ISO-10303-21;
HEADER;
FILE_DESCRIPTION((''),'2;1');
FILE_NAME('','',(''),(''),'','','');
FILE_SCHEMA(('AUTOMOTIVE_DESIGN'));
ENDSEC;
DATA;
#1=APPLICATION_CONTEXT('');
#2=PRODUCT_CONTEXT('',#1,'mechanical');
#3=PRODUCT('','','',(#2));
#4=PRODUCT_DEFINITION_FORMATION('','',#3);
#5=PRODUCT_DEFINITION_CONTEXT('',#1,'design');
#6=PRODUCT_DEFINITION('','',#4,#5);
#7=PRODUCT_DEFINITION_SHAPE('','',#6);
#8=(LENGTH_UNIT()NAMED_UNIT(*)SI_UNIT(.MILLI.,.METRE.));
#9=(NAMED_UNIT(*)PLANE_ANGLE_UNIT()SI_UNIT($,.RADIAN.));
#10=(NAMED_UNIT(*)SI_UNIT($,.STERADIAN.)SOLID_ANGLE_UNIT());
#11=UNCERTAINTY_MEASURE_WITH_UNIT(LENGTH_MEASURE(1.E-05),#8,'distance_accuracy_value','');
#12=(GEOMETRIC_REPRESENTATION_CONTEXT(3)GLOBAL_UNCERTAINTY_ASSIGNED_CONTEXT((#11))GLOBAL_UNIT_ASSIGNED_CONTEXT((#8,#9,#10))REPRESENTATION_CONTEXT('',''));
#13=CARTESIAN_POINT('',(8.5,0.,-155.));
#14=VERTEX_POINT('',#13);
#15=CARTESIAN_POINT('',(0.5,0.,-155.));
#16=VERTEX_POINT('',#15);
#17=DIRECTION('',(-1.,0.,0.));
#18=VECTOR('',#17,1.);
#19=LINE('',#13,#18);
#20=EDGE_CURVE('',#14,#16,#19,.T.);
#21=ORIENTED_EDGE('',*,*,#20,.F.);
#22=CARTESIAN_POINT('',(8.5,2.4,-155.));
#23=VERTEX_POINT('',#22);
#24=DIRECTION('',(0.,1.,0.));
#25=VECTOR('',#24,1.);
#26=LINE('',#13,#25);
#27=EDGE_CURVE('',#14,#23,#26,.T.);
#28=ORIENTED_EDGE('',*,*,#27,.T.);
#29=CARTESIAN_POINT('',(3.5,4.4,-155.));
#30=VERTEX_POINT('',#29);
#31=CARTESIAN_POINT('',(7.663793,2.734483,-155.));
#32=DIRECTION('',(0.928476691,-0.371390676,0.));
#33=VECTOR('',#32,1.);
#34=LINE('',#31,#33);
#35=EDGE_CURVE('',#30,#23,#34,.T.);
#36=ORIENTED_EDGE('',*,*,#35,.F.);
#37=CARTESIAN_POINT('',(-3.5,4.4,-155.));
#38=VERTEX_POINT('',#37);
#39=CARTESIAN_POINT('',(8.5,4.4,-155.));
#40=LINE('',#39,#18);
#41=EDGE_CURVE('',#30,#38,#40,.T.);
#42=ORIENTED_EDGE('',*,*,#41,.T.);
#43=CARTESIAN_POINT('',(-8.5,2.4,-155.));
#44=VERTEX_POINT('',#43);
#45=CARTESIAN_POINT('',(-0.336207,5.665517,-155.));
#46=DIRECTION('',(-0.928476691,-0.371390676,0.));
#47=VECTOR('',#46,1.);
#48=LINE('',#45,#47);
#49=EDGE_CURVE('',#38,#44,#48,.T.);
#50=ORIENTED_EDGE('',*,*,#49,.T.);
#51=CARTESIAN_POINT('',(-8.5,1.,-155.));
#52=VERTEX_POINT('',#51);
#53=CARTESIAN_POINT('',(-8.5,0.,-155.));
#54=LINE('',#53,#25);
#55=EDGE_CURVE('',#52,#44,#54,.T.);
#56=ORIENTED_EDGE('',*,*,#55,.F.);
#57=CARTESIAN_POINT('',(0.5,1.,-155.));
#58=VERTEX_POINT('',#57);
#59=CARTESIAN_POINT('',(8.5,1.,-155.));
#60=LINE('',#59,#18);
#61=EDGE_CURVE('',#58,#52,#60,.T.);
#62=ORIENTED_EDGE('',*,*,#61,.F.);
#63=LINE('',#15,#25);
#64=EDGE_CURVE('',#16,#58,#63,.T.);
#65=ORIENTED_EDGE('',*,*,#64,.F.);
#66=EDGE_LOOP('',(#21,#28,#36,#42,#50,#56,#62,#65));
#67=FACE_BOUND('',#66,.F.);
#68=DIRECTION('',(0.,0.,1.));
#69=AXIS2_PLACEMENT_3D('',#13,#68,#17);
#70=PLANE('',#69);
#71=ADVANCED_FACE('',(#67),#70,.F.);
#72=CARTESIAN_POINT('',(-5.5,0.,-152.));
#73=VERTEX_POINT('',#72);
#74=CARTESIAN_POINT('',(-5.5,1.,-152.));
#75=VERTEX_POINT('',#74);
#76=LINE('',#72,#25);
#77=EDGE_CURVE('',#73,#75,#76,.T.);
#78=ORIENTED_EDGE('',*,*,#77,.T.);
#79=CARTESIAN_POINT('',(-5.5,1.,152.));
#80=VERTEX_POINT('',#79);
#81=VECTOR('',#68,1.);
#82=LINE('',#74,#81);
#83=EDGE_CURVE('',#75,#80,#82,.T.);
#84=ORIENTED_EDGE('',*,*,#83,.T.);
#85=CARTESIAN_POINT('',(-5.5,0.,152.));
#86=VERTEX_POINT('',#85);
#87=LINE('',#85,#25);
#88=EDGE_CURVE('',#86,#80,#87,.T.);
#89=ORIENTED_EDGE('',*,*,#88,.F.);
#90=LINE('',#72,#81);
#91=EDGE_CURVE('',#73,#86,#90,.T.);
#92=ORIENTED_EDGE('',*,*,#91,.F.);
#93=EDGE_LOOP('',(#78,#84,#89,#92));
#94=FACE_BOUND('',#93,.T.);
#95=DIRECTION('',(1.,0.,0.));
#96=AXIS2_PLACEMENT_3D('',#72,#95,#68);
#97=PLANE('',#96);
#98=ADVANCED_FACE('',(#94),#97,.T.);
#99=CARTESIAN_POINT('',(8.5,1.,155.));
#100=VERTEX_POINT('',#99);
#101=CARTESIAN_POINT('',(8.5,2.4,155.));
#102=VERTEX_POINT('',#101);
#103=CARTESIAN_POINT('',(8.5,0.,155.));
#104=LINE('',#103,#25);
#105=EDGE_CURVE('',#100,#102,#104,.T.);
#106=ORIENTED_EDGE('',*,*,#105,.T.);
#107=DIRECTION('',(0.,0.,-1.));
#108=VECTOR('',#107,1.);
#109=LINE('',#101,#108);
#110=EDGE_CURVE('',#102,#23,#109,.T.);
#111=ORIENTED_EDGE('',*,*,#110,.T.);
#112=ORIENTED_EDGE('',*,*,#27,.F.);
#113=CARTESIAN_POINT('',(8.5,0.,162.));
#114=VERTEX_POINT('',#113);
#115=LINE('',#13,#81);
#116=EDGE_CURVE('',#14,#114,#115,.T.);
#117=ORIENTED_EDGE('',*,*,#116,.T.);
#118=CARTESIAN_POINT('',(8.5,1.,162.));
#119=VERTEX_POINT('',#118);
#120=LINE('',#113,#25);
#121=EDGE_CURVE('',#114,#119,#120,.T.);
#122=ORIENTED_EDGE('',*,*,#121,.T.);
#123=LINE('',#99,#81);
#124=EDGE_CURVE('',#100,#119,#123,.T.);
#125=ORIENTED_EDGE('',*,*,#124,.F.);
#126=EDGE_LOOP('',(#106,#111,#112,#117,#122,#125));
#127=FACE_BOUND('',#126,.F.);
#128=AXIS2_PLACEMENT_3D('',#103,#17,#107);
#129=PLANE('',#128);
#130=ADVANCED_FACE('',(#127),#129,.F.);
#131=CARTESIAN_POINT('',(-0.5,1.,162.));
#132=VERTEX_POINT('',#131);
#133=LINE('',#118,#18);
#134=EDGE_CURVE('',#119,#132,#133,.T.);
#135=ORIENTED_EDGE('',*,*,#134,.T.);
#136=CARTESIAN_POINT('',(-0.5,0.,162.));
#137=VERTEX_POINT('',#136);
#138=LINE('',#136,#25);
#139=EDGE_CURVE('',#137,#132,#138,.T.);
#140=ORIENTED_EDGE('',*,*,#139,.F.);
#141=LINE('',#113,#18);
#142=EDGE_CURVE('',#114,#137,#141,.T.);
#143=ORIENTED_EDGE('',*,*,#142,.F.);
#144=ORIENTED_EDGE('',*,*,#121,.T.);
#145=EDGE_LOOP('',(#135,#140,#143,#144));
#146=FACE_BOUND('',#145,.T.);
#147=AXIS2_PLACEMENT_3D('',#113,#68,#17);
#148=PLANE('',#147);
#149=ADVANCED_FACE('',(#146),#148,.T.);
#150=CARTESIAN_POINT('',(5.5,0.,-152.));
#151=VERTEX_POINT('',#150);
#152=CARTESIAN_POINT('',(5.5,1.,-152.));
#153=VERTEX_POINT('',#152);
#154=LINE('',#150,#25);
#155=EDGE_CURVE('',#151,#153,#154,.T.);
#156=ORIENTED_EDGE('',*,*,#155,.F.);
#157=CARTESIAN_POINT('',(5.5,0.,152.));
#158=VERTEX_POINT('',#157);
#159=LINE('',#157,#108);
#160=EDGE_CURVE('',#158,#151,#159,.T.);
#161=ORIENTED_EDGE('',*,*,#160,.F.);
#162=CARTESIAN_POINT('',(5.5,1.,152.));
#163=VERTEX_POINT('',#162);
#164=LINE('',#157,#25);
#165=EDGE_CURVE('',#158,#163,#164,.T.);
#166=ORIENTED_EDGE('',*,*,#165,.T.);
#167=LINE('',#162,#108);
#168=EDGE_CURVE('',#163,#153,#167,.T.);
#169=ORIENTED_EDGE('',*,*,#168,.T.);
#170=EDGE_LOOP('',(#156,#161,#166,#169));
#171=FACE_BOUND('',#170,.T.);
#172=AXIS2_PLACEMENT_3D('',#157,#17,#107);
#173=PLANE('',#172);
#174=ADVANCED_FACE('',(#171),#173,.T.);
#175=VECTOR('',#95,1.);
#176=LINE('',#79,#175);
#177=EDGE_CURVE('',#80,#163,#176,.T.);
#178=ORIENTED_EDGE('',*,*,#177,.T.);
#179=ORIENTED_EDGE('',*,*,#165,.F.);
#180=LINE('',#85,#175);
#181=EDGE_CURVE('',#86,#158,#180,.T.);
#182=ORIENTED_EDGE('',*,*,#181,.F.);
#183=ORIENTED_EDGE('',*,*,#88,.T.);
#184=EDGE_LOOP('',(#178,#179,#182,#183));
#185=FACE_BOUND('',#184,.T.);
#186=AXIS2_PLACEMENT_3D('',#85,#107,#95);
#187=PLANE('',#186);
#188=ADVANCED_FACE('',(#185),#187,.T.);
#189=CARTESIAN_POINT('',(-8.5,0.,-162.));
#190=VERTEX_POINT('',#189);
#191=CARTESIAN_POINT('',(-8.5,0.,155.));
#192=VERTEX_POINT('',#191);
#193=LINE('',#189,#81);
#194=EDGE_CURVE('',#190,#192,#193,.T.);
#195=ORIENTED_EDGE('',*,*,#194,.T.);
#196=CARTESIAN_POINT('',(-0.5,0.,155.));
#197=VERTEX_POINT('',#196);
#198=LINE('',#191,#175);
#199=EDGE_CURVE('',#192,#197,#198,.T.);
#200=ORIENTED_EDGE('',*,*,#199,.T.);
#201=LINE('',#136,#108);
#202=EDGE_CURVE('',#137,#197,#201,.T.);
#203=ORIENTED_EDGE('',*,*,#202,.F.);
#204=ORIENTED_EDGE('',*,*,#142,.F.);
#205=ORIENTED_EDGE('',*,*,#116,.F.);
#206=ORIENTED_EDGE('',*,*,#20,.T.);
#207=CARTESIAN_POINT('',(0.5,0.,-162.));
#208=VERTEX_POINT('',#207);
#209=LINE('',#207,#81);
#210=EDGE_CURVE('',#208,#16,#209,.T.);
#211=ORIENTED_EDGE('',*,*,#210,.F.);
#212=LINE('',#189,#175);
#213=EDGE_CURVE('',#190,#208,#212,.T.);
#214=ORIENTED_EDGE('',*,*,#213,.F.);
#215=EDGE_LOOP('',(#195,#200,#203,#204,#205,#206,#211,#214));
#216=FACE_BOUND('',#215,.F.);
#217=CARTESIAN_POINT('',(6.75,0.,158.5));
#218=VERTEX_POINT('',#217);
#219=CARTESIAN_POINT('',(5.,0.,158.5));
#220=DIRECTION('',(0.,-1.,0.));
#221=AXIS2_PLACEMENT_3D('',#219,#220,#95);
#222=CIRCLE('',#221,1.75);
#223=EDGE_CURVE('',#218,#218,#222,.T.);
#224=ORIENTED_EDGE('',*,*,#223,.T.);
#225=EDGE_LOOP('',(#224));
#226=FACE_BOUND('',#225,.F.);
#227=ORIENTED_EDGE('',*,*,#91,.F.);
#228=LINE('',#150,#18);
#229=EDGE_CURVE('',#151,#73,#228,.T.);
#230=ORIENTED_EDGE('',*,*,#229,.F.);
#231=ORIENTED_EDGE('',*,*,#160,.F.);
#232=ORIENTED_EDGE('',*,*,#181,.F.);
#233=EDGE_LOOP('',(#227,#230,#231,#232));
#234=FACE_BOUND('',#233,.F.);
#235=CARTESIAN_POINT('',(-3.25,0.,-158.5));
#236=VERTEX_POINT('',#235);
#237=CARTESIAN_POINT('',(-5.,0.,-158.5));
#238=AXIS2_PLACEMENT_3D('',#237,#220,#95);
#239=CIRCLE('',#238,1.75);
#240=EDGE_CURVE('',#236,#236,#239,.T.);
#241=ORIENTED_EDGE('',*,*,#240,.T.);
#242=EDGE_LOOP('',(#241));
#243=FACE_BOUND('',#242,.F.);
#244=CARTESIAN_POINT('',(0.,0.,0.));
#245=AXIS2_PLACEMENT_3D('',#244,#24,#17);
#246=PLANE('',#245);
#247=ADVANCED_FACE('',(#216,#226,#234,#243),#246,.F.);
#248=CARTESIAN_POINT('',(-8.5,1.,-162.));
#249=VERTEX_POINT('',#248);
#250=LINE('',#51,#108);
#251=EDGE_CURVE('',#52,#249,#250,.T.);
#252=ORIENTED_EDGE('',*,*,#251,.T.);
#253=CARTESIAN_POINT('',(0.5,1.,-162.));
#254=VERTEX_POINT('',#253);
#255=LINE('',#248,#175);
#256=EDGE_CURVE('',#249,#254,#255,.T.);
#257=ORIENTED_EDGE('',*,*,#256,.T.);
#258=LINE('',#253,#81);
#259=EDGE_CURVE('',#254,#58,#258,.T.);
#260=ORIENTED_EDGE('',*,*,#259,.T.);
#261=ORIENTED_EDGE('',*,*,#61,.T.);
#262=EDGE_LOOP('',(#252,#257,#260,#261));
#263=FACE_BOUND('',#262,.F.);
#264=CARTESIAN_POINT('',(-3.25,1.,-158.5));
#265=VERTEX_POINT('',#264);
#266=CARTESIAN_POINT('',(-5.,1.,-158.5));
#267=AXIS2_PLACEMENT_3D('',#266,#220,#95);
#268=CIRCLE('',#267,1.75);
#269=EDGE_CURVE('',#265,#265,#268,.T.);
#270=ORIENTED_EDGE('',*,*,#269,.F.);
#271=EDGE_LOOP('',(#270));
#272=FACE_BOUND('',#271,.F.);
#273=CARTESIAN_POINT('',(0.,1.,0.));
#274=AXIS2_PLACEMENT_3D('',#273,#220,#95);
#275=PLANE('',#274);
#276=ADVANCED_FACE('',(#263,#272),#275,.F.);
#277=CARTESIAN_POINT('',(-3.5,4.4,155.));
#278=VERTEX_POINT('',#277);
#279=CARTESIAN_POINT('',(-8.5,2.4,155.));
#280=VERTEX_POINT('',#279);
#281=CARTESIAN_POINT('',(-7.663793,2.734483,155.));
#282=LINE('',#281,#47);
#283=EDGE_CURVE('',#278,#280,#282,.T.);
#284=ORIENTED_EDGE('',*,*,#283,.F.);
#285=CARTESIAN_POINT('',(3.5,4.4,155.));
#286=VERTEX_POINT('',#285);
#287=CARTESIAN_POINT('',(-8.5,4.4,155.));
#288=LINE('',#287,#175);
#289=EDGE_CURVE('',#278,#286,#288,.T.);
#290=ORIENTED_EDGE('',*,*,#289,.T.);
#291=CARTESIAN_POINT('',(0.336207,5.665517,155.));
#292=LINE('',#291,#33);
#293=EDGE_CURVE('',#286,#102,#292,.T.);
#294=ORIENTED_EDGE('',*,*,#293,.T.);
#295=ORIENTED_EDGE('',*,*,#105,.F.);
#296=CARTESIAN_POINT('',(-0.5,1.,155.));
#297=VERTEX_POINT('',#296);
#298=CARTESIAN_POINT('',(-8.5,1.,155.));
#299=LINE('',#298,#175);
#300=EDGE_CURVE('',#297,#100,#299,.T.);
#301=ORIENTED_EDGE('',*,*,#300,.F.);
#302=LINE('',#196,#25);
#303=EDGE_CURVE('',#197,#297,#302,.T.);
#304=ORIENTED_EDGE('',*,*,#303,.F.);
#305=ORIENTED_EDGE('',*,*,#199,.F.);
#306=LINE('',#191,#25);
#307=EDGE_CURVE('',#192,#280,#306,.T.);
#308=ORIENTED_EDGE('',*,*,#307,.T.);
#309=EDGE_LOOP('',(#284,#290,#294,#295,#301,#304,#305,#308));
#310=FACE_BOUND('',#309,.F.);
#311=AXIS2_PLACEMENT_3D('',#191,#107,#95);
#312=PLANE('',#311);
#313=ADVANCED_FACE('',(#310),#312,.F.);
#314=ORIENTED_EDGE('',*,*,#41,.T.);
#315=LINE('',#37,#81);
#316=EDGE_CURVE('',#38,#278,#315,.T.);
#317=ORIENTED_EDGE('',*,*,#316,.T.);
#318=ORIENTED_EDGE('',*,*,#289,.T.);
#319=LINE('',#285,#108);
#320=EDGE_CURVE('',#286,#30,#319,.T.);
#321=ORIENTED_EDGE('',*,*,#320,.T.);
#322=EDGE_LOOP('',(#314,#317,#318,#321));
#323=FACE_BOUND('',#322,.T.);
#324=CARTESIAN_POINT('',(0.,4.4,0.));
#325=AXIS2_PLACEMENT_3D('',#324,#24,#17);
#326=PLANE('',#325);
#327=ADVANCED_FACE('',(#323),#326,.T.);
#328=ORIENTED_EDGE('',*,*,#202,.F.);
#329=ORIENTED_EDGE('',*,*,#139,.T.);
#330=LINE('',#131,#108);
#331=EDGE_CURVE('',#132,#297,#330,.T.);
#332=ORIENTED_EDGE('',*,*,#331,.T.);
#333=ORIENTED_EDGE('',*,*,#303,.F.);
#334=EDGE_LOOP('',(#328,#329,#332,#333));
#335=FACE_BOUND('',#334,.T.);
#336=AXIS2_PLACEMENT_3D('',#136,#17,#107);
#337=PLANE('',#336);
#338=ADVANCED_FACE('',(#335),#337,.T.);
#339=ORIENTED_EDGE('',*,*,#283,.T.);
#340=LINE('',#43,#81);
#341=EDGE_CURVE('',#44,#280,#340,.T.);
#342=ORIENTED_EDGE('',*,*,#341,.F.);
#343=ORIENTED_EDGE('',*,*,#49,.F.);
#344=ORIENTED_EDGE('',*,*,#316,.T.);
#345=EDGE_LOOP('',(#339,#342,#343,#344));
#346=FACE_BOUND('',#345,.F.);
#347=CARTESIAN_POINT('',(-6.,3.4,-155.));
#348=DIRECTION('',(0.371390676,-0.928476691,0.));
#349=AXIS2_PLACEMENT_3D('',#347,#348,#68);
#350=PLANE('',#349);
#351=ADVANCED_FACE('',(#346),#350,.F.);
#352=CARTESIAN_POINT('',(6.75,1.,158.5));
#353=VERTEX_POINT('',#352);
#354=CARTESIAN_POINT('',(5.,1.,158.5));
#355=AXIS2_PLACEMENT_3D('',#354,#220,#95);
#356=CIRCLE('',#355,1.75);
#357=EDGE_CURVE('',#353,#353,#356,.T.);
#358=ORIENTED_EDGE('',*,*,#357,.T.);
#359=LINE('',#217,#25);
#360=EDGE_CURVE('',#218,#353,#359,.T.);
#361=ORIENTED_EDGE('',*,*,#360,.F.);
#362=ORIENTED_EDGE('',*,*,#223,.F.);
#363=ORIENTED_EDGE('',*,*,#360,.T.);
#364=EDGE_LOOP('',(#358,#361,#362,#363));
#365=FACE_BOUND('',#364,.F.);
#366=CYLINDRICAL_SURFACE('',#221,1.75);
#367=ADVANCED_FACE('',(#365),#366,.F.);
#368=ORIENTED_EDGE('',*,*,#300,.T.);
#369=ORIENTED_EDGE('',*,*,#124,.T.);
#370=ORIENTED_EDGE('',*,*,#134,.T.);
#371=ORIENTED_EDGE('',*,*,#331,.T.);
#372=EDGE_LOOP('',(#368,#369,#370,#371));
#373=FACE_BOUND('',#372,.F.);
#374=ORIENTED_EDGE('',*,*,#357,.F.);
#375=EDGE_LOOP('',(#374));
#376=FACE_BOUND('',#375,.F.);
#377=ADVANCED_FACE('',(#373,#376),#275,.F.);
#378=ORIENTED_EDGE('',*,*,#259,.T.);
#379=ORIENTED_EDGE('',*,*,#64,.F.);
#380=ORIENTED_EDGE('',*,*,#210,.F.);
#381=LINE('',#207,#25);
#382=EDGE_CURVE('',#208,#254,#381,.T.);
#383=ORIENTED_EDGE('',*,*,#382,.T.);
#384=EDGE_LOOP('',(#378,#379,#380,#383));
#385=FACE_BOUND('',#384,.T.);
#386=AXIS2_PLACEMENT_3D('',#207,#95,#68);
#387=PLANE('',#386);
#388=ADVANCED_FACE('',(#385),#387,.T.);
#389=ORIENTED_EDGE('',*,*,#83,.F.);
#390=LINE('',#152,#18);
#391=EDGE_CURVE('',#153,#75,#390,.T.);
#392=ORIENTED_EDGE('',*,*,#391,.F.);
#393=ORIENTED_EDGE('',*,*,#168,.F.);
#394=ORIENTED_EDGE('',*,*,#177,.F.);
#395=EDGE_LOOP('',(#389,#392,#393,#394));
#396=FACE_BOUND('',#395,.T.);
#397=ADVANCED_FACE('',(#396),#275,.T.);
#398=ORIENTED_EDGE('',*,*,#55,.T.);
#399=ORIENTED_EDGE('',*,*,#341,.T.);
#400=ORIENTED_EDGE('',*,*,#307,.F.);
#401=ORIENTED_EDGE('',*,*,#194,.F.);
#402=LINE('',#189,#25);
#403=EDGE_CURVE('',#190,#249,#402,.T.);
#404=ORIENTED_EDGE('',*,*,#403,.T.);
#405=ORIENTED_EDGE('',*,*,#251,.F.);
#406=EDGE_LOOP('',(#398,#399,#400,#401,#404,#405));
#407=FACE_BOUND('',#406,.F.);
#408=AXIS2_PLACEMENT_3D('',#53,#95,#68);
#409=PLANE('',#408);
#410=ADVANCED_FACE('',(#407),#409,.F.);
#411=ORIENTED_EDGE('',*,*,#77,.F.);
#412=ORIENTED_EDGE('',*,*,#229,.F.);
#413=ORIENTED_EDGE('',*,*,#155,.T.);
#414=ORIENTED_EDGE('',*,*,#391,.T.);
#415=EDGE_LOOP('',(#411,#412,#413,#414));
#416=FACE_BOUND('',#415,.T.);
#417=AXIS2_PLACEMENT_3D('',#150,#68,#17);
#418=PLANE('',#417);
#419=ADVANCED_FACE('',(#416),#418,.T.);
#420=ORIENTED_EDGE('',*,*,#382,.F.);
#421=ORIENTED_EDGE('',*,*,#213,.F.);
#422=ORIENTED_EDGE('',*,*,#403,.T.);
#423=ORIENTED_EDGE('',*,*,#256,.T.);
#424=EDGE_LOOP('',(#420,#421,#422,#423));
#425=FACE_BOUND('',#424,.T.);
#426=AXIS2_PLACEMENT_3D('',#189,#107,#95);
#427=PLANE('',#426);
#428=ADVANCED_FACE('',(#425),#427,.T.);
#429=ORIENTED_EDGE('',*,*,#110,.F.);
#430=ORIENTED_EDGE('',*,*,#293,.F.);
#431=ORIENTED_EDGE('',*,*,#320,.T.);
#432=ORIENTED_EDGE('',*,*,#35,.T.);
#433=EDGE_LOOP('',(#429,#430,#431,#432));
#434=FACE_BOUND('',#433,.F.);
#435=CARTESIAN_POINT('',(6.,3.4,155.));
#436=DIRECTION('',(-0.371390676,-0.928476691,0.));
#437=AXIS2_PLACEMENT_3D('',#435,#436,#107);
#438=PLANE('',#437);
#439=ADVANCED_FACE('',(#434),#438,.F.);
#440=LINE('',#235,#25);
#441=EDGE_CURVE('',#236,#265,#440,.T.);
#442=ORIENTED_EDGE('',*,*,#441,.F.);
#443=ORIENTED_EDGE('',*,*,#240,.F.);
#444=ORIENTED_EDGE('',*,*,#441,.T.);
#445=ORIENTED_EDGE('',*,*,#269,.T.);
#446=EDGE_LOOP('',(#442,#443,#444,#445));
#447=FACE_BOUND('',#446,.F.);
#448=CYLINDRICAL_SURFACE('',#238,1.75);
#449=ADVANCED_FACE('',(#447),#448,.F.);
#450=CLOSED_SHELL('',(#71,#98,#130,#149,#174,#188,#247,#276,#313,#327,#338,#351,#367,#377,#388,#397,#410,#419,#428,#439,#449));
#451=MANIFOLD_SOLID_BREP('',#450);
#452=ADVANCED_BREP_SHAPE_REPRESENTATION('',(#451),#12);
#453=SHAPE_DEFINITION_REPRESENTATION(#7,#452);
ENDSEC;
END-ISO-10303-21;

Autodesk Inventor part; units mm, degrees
ref_plane "YZ Plane" through (0, 0, 0) normal (1, 0, 0) x (0, 1, 0)
ref_plane "XZ Plane" through (0, 0, 0) normal (0, 1, 0) x (-1, 0, 0)
ref_plane "XY Plane" through (0, 0, 0) normal (0, 0, 1) x (1, 0, 0)
sketch "Sketch1" plane through (0, 0, 0) normal (0, 1, 0) x (-1, 0, 0)
  line L0 (-8.5, -155) -> (8.5, -155)
  line L1 (8.5, -155) -> (8.5, 155)
  line L2 (8.5, 155) -> (-8.5, 155)
  line L3 (-8.5, 155) -> (-8.5, -155)
  line L4 (-8.5, -155) -> (8.5, 155) construction
  line L5 (8.5, -155) -> (-8.5, 155) construction
  point P0 (0, 0)
  dimension "d0" = 310
  dimension "d1" = 17
extrude "Extrusion1" add sketch "Sketch1" along normal blind 4.4
chamfer "Chamfer1" distance 5 distance2 2 1 edges at (8.5, 4.4, 0) measured on face at (2.8333, 4.4, 51.6667)
chamfer "Chamfer2" distance 5 distance2 2 1 edges at (-8.5, 4.4, 0) measured on face at (-4.5, 4.4, 51.6667)
sketch "Sketch2" plane through (0, 0, 0) normal (0, -1, 0) x (1, 0, 0)
  line L0 (-8.5, -155) -> (-8.5, 155) projected
  line L1 (8.5, -155) -> (-8.5, -155) projected
  line L2 (8.5, 155) -> (8.5, -155) projected
  line L3 (-8.5, 155) -> (8.5, 155) projected
  circle A0 centre (-5, -158.5) radius 1.75
  circle A1 centre (5, 158.5) radius 1.75
  line L4 (-8.5, 155) -> (8.5, 155) projected
  line L5 (8.5, 155) -> (8.5, 162)
  line L6 (8.5, 162) -> (-0.5, 162)
  line L7 (-0.5, 162) -> (-0.5, 155)
  line L8 (-8.5, -155) -> (-8.5, 155) projected
  line L9 (-8.5, -155) -> (-8.5, -162)
  line L10 (-8.5, -162) -> (0.5, -162)
  line L11 (0.5, -162) -> (0.5, -155)
  line L12 (8.5, -155) -> (-8.5, -155) projected
  point P0 (0, 0)
  dimension "d10" = 3.5
  dimension "d11" = 3.5
  dimension "d12" = 3.5
  dimension "d13" = 3.5
  dimension "d14" = 3.5
  dimension "d15" = 9
  dimension "d16" = 7
extrude "Extrusion2" add sketch "Sketch2" against normal blind 1 contours L1 L11 L10 L9 | L7 L6 L5 L3
sketch "Sketch3" plane through (0, 0, 0) normal (0, -1, 0) x (1, 0, 0)
  circle A0 centre (5, 158.5) radius 1.75 projected
  circle A1 centre (-5, -158.5) radius 1.75 projected
  line L0 (-8.5, -162) -> (-8.5, 155) projected
  line L1 (-8.5, -162) -> (0.5, -162) projected
  line L2 (0.5, -162) -> (0.5, -155) projected
  line L3 (8.5, -155) -> (0.5, -155) projected
  line L4 (8.5, -155) -> (8.5, 162) projected
  line L5 (8.5, 162) -> (-0.5, 162) projected
  line L6 (-0.5, 162) -> (-0.5, 155) projected
  line L7 (-8.5, 155) -> (-0.5, 155) projected
  line L8 (5.5, -152) -> (-5.5, -152)
  line L9 (-5.5, -152) -> (-5.5, 152)
  line L10 (-5.5, 152) -> (5.5, 152)
  line L11 (5.5, 152) -> (5.5, -152)
  line L12 (8.5, -155) -> (0.5, -155) projected
  point P0 (0, 0)
  point P1 (4.5, -155)
  dimension "d19" = 3
  dimension "d20" = 3
  dimension "d21" = 3
  dimension "d22" = 3
extrude "Extrusion3" cut sketch "Sketch3" against normal blind 1 contours L8 L9 L10 L11
equation "\"d11\" = d10"
equation "\"d13\" = d10"
equation "\"d14\" = d10"
equation "\"d16\" = 2 * d14"
equation "\"d20\" = d19"
equation "\"d21\" = d19"
equation "\"d22\" = d19"
properties part number "ZLF Alumiline 310" material "Aluminum 6061"
